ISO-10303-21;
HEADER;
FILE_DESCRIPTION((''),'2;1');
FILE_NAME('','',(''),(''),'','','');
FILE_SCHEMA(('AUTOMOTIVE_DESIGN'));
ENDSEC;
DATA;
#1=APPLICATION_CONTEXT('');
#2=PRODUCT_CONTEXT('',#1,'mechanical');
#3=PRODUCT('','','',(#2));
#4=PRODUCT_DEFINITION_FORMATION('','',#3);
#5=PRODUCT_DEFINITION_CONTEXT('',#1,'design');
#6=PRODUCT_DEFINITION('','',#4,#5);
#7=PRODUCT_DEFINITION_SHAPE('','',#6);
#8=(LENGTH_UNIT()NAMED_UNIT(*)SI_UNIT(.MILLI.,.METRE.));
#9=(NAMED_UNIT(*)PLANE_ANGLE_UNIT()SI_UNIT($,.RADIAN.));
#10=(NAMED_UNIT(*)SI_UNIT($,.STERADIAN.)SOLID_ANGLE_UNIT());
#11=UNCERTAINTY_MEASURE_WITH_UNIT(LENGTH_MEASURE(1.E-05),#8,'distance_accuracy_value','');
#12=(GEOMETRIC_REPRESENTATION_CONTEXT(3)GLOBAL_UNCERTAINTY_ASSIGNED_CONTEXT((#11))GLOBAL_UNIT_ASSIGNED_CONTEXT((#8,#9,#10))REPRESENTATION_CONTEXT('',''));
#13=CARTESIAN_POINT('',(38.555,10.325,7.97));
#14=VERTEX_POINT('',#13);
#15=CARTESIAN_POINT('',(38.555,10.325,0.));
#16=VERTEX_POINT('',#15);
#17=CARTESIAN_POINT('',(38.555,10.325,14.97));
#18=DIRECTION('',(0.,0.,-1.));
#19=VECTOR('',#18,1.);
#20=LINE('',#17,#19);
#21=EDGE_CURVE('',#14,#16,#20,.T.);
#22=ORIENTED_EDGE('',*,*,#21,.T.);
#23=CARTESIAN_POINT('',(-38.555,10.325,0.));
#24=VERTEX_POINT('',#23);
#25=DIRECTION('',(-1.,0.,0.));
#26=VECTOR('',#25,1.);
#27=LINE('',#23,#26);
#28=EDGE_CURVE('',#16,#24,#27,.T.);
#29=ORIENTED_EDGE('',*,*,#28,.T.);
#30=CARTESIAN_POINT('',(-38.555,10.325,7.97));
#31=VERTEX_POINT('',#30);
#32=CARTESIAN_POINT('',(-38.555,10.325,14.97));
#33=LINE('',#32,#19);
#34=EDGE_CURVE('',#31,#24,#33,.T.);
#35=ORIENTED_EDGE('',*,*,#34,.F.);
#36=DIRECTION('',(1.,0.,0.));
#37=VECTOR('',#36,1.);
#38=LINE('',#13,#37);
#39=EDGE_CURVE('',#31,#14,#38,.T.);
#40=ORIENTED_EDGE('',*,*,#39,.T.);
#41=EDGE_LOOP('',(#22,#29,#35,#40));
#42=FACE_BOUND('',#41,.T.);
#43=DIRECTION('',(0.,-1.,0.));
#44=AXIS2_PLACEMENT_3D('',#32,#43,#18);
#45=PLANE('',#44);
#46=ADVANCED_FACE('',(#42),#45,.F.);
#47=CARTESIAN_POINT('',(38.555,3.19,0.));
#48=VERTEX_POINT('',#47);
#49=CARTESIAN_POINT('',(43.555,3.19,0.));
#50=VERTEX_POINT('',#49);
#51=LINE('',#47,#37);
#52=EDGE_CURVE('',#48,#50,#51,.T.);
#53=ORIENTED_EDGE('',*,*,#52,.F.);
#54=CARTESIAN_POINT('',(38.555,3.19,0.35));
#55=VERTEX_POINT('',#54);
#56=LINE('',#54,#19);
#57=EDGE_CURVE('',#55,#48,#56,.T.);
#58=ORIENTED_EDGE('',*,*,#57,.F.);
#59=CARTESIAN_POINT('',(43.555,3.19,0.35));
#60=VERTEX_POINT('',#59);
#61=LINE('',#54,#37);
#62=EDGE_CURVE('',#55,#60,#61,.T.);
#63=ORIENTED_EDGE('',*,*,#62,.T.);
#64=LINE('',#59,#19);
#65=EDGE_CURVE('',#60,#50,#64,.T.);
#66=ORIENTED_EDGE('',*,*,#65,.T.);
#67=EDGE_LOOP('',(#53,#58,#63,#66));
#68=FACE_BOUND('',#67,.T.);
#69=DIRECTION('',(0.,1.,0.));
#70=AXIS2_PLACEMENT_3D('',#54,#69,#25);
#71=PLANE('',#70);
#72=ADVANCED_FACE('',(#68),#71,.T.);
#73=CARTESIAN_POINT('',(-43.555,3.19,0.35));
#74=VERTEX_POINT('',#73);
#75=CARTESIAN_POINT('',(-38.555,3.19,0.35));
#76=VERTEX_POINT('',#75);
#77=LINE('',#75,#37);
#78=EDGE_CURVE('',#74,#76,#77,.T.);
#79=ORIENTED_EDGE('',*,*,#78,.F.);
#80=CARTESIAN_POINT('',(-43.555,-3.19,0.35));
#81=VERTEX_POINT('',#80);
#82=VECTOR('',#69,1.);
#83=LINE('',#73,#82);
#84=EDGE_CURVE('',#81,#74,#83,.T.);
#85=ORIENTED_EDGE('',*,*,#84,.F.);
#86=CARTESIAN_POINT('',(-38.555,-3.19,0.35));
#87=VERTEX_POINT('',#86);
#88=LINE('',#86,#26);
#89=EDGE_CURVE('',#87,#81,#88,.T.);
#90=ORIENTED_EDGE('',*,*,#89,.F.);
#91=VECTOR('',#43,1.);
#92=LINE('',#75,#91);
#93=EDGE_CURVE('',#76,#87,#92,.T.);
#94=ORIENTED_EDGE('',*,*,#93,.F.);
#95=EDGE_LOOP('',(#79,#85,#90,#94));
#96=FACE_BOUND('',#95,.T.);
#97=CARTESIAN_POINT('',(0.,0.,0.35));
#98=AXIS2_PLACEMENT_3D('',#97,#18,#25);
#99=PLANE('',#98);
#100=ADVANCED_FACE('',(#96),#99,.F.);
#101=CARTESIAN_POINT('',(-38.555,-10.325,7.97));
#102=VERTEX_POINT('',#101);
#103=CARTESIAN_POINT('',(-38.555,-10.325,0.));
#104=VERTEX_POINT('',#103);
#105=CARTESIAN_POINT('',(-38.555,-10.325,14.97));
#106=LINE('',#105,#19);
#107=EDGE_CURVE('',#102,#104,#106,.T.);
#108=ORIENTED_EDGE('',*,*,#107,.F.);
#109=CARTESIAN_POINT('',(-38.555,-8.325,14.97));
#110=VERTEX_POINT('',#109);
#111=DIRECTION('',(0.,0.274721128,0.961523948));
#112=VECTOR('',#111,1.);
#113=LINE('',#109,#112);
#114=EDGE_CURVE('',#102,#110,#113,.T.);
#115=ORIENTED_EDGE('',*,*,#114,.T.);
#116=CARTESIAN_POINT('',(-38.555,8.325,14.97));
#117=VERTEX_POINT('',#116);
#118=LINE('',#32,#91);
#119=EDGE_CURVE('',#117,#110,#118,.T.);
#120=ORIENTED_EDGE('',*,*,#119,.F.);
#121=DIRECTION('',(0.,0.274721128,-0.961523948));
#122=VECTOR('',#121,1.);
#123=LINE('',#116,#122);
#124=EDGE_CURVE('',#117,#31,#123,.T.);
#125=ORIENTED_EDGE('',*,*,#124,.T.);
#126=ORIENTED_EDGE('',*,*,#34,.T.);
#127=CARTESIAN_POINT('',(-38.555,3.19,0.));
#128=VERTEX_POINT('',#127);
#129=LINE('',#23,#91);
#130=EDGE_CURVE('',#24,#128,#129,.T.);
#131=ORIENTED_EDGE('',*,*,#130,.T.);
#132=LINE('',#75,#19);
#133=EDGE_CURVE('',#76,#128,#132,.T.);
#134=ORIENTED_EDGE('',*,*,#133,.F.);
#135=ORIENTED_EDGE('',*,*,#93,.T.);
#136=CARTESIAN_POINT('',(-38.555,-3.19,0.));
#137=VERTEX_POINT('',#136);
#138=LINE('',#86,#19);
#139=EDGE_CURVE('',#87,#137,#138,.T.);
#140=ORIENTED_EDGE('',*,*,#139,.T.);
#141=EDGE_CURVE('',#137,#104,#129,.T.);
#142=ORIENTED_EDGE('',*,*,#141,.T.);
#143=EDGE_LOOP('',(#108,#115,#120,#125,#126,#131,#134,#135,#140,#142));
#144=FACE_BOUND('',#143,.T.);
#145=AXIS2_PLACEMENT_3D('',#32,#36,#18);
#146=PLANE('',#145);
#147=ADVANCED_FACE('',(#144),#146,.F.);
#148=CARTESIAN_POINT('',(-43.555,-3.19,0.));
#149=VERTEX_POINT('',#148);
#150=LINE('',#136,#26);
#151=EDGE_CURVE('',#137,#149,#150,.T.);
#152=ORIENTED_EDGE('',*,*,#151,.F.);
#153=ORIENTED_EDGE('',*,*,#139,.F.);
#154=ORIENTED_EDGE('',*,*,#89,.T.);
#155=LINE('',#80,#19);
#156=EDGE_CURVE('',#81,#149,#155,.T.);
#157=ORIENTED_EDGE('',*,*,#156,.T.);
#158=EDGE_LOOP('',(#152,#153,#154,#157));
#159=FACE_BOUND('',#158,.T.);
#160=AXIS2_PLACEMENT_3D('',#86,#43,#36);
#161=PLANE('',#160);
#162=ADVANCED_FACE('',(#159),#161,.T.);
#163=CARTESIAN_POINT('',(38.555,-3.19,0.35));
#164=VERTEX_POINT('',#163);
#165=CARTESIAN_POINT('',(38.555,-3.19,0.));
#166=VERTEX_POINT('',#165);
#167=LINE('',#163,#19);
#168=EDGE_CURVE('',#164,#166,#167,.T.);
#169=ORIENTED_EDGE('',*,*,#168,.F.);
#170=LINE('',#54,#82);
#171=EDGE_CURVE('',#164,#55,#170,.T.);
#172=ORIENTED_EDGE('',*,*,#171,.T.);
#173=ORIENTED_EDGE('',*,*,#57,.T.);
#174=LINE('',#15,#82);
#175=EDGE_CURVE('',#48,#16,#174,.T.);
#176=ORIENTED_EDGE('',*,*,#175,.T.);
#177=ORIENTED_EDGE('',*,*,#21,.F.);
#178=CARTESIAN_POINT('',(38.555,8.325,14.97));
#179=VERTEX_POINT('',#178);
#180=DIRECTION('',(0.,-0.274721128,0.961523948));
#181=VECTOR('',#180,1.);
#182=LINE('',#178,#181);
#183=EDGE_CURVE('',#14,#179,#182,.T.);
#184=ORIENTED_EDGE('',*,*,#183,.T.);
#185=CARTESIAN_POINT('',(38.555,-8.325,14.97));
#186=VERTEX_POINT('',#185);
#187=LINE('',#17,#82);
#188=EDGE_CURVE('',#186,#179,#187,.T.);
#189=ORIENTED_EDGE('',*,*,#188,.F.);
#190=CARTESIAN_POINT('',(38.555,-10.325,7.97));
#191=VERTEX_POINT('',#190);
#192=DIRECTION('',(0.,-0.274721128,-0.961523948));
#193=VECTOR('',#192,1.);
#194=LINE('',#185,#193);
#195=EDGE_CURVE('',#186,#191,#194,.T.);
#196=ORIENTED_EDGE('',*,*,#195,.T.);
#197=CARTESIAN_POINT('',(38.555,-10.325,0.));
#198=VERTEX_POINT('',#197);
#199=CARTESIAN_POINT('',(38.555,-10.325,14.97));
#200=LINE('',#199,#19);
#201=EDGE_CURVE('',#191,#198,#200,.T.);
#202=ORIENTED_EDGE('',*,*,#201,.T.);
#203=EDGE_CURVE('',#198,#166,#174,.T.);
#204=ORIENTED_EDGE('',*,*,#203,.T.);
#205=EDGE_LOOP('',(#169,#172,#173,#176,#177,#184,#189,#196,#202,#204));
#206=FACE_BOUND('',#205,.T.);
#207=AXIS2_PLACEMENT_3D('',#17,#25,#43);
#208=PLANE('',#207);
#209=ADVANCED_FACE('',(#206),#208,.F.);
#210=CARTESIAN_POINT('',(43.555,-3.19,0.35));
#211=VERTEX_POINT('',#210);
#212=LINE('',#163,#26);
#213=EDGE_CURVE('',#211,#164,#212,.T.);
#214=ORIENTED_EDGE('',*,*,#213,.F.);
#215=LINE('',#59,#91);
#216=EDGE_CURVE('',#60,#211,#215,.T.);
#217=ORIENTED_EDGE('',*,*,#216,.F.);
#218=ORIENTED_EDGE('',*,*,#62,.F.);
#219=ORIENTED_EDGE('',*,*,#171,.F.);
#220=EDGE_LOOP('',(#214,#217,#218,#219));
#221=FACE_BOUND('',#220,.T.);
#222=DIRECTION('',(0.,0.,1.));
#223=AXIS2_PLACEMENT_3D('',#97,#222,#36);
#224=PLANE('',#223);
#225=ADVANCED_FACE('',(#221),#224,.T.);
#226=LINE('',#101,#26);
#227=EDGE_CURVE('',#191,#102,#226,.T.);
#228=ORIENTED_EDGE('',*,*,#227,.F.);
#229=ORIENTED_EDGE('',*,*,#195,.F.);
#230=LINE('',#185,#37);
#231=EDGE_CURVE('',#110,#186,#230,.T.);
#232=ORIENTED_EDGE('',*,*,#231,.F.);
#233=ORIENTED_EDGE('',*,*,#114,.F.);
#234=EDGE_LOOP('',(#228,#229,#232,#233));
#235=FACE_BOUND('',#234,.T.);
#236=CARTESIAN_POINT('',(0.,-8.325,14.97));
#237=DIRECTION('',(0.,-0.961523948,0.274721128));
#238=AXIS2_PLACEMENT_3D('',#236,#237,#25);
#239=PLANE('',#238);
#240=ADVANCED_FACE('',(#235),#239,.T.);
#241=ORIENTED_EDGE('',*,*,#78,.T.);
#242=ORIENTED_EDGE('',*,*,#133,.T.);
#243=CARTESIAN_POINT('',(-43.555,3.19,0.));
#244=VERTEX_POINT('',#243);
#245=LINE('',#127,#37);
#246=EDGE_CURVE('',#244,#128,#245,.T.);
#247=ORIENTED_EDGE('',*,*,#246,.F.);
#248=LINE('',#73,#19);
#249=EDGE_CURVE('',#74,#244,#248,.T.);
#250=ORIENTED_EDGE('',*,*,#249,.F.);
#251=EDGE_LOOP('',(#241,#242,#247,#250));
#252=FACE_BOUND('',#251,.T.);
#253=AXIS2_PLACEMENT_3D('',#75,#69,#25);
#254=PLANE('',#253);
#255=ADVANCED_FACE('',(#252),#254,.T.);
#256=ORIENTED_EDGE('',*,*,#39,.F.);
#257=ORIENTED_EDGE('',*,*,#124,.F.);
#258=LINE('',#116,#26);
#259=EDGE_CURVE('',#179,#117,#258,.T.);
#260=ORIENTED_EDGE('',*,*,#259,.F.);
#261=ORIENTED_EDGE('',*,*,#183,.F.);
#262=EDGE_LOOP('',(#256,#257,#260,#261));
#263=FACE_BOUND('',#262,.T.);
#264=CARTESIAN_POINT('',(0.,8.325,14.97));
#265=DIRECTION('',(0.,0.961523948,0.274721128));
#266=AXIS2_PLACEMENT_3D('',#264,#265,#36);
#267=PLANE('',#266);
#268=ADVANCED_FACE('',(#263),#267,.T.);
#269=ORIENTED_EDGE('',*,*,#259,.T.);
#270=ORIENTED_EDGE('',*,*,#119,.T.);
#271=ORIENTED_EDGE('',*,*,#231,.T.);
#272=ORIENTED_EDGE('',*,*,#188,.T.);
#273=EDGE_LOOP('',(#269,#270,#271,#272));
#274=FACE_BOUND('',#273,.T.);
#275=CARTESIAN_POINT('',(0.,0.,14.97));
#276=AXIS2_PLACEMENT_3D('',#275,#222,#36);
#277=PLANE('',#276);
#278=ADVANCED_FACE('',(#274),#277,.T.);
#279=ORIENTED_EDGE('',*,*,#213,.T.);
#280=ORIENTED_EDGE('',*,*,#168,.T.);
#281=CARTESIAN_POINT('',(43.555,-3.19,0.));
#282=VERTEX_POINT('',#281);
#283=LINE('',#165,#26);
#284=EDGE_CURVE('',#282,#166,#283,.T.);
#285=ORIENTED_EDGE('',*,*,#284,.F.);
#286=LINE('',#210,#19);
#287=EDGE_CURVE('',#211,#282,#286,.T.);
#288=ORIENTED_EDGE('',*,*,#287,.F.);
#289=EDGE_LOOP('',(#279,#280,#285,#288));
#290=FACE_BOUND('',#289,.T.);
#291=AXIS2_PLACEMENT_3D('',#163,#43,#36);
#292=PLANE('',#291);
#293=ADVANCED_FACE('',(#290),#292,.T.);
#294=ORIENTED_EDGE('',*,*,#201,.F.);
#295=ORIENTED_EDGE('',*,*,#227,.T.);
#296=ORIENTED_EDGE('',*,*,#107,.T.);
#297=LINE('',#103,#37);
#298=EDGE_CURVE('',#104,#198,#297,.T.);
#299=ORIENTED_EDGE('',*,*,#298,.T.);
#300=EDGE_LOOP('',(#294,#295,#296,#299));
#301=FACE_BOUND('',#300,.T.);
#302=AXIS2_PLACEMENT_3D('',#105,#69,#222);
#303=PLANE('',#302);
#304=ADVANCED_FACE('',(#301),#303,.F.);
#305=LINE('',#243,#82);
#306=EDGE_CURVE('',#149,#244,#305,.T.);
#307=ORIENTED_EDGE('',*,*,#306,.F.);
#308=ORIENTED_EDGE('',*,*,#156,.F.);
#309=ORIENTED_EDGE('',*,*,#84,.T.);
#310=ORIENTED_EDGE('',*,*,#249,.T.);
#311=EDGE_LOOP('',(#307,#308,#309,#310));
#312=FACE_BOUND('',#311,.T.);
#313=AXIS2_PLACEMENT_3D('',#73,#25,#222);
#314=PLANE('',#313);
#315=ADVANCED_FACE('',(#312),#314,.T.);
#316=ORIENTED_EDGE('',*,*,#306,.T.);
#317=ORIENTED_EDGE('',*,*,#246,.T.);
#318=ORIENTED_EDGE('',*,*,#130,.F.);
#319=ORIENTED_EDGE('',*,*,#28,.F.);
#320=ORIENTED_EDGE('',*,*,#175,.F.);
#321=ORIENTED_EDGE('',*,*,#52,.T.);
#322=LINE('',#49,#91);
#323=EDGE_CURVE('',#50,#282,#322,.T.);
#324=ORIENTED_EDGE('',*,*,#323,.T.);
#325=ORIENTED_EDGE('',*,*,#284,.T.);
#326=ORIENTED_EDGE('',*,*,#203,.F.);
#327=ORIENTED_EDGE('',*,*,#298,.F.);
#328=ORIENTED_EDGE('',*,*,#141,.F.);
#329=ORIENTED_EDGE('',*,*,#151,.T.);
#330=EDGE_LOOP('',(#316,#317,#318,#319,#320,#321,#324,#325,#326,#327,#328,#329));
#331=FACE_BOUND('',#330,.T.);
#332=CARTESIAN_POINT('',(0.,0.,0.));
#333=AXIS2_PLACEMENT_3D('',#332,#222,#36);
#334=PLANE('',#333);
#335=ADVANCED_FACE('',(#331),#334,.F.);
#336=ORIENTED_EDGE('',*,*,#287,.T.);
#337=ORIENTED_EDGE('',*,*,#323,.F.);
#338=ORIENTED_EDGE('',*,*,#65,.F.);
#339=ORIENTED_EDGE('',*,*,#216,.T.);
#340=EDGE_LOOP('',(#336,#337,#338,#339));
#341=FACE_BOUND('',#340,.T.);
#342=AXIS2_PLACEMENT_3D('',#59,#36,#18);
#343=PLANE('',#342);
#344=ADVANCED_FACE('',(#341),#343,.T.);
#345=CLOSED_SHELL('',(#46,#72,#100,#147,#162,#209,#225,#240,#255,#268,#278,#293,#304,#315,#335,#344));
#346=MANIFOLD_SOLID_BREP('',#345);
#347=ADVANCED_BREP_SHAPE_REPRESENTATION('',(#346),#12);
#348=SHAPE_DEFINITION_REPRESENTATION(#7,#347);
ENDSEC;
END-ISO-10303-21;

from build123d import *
from OCP.BRepFilletAPI import BRepFilletAPI_MakeChamfer

# Parameters (mm, degrees)
SKETCH1_W           = 77.11
SKETCH1_H           = 20.65
BOSS_EXTRUDE1_DEPTH = 14.97
CHAMFER1_SIZE       = 7
CHAMFER1_SIZE2      = 2
SKETCH2_W           = 5
SKETCH2_H           = 6.38
BOSS_EXTRUDE2_DEPTH = 0.35


with BuildPart() as part:
    # Sketch1 → Boss-Extrude1 (new body)
    with BuildSketch(Plane.XY):
        Rectangle(SKETCH1_W, SKETCH1_H)
    extrude(amount=BOSS_EXTRUDE1_DEPTH)

    # Chamfer1: one chamfer whose edges measure the first distance from different faces: ONE call of the kernel's chamfer builder (chamfer() names one face for all edges)
    chamfer1_edges_1 = [part.edges().sort_by_distance(p)[0] for p in [
        (0, -10.325, 14.97),
    ]]
    chamfer1_side_1 = [part.faces().sort_by_distance(p)[0] for p in [
        (0, -10.325, 7.485),
    ]]
    chamfer1_edges_2 = [part.edges().sort_by_distance(p)[0] for p in [
        (0, 10.325, 14.97),
    ]]
    chamfer1_side_2 = [part.faces().sort_by_distance(p)[0] for p in [
        (0, 10.325, 7.485),
    ]]
    chamfer1 = BRepFilletAPI_MakeChamfer(part.part.solid().wrapped)
    for e in chamfer1_edges_1:
        chamfer1.Add(CHAMFER1_SIZE, CHAMFER1_SIZE2, e.wrapped, chamfer1_side_1[0].wrapped)  # the first distance lies on this face
    for e in chamfer1_edges_2:
        chamfer1.Add(CHAMFER1_SIZE, CHAMFER1_SIZE2, e.wrapped, chamfer1_side_2[0].wrapped)  # the first distance lies on this face
    add(Compound.cast(chamfer1.Shape()), mode=Mode.REPLACE)

    # Sketch2 → Boss-Extrude2 (add)
    with BuildSketch(Plane(origin=(0, 0, 0), x_dir=(-1, 0, 0), z_dir=(0, 0, -1))):
        with Locations((-41.055, 0)):
            Rectangle(SKETCH2_W, SKETCH2_H)
        with Locations((41.055, 0)):
            Rectangle(SKETCH2_W, SKETCH2_H)
    extrude(amount=-BOSS_EXTRUDE2_DEPTH)


solid = part.part
